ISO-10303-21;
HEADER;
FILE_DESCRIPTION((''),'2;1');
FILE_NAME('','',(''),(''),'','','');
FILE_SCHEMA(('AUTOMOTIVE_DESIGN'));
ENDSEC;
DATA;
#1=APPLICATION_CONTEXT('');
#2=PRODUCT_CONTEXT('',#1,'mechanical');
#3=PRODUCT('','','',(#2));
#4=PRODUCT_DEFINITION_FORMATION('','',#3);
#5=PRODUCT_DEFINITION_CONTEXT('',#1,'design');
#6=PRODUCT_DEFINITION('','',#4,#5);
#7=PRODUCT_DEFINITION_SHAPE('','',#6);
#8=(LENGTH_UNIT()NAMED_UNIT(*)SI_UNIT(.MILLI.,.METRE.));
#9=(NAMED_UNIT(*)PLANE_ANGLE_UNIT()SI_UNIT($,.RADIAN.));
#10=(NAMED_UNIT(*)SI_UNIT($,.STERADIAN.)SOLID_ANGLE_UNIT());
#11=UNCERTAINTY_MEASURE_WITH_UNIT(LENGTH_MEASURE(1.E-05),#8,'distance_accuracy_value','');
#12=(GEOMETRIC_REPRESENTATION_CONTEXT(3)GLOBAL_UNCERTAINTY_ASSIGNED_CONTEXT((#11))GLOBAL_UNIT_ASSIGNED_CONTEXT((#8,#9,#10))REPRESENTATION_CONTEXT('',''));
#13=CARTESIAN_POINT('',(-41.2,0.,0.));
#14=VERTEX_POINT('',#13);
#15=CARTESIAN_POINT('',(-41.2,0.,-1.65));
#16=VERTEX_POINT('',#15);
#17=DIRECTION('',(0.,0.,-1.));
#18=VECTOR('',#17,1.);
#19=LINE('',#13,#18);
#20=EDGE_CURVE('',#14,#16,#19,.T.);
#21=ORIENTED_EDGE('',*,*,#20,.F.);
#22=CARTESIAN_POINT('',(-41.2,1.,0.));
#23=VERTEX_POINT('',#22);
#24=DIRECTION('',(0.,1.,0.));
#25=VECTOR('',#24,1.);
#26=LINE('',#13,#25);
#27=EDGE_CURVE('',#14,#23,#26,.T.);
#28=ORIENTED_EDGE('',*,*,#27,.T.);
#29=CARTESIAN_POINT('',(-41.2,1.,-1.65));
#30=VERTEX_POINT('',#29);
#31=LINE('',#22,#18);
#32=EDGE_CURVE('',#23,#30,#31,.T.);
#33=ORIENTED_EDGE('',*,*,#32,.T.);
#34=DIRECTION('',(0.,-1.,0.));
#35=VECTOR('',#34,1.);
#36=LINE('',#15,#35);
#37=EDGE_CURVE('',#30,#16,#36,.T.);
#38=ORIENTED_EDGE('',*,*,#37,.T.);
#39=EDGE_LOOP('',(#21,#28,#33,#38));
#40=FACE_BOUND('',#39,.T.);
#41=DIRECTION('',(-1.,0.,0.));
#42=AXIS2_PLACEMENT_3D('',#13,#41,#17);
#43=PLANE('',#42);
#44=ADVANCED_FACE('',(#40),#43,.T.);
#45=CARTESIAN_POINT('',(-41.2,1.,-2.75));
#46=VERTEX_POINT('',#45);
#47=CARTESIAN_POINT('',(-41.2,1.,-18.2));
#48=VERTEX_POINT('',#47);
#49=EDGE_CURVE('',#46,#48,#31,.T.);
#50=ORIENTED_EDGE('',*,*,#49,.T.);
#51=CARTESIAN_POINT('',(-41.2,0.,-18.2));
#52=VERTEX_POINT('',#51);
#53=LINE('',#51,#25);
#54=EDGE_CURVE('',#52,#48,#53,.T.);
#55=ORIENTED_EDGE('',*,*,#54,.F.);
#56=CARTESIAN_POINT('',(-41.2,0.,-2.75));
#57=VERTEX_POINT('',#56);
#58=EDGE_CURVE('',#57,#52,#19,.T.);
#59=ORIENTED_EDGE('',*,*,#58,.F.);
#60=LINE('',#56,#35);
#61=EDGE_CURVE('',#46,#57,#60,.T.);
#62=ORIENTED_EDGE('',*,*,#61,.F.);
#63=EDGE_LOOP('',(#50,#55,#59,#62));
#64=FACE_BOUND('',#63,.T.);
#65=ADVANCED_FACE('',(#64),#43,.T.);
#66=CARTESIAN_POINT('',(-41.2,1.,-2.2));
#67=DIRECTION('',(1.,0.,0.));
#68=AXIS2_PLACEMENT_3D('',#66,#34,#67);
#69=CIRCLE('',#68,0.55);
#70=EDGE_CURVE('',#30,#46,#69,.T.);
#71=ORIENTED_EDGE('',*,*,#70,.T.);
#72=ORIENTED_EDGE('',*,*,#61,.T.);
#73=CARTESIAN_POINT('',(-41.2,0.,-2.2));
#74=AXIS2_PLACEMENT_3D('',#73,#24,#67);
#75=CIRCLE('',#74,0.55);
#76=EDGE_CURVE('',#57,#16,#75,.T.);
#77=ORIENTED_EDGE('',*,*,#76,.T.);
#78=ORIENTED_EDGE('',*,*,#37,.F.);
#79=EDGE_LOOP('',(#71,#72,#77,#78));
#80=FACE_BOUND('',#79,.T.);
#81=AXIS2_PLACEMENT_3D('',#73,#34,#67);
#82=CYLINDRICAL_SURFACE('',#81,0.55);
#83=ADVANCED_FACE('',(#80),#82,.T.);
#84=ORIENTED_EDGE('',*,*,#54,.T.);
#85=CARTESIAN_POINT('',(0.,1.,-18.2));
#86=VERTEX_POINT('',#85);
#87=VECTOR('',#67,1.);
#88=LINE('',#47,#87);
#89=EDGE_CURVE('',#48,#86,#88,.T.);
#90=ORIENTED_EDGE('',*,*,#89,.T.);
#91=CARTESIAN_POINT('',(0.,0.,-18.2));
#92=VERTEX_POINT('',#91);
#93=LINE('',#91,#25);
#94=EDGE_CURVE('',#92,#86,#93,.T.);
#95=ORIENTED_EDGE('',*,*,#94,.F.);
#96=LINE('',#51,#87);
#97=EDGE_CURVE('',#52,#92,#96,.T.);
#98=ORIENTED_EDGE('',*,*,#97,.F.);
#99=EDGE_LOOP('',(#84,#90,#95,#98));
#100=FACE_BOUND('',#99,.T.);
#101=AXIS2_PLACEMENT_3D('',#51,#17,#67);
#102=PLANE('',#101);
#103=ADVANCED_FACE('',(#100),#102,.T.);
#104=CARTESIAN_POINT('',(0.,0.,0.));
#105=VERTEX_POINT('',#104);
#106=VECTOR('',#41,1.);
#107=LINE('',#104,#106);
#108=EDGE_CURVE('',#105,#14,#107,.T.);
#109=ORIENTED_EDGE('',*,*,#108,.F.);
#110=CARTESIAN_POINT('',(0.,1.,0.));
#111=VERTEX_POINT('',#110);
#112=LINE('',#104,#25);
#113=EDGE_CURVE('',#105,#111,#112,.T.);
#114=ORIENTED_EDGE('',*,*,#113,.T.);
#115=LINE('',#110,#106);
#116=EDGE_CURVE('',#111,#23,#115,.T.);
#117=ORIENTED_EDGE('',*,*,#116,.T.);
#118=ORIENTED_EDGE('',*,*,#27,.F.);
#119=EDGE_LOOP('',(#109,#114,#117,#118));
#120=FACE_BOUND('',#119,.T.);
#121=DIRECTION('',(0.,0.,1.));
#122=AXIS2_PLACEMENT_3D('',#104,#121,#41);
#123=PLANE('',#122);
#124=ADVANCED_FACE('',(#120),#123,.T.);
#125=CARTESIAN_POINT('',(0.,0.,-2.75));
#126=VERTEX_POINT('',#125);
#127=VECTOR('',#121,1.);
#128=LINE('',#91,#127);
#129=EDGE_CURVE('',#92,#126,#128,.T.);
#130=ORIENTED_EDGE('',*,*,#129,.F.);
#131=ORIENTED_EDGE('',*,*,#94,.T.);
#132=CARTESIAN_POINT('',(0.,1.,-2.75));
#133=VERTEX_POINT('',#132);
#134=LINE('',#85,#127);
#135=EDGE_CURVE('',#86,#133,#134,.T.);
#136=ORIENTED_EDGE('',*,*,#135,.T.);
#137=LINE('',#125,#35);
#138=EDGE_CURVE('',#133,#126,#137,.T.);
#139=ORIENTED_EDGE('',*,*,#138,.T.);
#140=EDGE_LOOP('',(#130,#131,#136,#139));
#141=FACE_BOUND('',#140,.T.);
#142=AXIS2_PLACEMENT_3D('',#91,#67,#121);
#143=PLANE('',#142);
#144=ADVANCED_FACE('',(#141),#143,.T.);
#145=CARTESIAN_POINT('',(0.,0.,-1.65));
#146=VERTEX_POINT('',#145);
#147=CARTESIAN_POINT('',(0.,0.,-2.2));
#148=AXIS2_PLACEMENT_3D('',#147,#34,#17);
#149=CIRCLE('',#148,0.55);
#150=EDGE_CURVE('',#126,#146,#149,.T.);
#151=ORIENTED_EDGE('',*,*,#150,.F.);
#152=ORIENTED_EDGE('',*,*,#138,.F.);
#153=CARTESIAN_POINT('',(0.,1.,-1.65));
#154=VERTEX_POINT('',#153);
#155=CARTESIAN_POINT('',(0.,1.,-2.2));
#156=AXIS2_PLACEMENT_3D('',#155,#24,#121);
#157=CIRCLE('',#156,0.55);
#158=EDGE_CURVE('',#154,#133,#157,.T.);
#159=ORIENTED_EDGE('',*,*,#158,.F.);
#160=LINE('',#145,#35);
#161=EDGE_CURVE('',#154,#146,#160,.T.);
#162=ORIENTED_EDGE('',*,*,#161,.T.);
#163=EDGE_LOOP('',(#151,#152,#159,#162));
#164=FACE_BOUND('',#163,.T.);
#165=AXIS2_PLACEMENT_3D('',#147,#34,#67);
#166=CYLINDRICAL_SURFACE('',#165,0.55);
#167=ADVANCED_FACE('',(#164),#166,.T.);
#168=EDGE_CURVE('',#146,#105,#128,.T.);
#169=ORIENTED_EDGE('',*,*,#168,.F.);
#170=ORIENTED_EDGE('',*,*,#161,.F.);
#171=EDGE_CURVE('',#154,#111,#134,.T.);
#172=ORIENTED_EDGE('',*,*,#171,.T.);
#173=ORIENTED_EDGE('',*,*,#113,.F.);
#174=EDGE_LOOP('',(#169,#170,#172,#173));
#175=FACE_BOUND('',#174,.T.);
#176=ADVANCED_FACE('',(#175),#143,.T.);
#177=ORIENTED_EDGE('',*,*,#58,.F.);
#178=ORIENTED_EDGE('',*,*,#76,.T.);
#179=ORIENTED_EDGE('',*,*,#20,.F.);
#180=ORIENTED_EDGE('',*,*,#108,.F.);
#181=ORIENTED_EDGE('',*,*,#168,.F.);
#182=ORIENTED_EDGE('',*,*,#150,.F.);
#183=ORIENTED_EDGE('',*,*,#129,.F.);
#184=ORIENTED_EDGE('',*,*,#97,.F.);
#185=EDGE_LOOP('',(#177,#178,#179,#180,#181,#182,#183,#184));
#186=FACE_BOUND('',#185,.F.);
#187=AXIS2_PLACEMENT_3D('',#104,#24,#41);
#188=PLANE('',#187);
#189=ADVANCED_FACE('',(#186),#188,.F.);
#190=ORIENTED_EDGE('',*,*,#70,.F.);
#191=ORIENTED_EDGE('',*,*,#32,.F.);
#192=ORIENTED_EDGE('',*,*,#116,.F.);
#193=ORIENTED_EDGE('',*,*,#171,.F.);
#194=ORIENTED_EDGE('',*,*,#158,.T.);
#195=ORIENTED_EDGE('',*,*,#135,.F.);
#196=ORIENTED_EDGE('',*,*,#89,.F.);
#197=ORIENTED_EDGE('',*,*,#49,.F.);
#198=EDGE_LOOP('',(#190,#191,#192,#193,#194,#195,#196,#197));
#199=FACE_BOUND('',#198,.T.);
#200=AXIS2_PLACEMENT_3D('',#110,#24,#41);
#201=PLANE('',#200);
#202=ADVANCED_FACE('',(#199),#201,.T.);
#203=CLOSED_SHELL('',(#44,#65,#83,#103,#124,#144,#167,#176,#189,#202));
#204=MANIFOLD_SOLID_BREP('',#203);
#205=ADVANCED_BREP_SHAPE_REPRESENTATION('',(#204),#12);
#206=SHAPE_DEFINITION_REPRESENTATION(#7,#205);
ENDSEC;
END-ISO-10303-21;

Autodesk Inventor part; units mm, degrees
ref_plane "YZ Plane" through (0, 0, 0) normal (1, 0, 0) x (0, 1, 0)
ref_plane "XZ Plane" through (0, 0, 0) normal (0, 1, 0) x (-1, 0, 0)
ref_plane "XY Plane" through (0, 0, 0) normal (0, 0, 1) x (1, 0, 0)
sketch "スケッチ1" plane through (0, 0, 0) normal (0, 1, 0) x (-1, 0, 0)
  line L0 (0, 0) -> (41.2, 0)
  line L1 (41.2, 0) -> (41.2, -18.2)
  line L2 (41.2, -18.2) -> (0, -18.2)
  line L3 (0, -18.2) -> (0, 0)
  dimension "d0" = 41.2
  dimension "d1" = 18.2
extrude "押し出し1" add sketch "スケッチ1" along normal blind 1
sketch "スケッチ2" plane through (0, 0, 0) normal (0, -1, 0) x (1, 0, 0)
  line L0 (0, 0) -> (0, -18.2) projected
  circle A0 centre (0, -2.2) radius 0.55
  line L1 (-41.2, -18.2) -> (-41.2, 0) projected
  circle A1 centre (-41.2, -2.2) radius 0.55
  line L2 (-41.2, 0) -> (0, 0) projected
  dimension "d4" = 1.1
  dimension "d5" = 1.1
  dimension "d6" = 2.2
extrude "押し出し2" add sketch "スケッチ2" against normal up to surface (1 mm away)
properties part number "battery_case_cover"
